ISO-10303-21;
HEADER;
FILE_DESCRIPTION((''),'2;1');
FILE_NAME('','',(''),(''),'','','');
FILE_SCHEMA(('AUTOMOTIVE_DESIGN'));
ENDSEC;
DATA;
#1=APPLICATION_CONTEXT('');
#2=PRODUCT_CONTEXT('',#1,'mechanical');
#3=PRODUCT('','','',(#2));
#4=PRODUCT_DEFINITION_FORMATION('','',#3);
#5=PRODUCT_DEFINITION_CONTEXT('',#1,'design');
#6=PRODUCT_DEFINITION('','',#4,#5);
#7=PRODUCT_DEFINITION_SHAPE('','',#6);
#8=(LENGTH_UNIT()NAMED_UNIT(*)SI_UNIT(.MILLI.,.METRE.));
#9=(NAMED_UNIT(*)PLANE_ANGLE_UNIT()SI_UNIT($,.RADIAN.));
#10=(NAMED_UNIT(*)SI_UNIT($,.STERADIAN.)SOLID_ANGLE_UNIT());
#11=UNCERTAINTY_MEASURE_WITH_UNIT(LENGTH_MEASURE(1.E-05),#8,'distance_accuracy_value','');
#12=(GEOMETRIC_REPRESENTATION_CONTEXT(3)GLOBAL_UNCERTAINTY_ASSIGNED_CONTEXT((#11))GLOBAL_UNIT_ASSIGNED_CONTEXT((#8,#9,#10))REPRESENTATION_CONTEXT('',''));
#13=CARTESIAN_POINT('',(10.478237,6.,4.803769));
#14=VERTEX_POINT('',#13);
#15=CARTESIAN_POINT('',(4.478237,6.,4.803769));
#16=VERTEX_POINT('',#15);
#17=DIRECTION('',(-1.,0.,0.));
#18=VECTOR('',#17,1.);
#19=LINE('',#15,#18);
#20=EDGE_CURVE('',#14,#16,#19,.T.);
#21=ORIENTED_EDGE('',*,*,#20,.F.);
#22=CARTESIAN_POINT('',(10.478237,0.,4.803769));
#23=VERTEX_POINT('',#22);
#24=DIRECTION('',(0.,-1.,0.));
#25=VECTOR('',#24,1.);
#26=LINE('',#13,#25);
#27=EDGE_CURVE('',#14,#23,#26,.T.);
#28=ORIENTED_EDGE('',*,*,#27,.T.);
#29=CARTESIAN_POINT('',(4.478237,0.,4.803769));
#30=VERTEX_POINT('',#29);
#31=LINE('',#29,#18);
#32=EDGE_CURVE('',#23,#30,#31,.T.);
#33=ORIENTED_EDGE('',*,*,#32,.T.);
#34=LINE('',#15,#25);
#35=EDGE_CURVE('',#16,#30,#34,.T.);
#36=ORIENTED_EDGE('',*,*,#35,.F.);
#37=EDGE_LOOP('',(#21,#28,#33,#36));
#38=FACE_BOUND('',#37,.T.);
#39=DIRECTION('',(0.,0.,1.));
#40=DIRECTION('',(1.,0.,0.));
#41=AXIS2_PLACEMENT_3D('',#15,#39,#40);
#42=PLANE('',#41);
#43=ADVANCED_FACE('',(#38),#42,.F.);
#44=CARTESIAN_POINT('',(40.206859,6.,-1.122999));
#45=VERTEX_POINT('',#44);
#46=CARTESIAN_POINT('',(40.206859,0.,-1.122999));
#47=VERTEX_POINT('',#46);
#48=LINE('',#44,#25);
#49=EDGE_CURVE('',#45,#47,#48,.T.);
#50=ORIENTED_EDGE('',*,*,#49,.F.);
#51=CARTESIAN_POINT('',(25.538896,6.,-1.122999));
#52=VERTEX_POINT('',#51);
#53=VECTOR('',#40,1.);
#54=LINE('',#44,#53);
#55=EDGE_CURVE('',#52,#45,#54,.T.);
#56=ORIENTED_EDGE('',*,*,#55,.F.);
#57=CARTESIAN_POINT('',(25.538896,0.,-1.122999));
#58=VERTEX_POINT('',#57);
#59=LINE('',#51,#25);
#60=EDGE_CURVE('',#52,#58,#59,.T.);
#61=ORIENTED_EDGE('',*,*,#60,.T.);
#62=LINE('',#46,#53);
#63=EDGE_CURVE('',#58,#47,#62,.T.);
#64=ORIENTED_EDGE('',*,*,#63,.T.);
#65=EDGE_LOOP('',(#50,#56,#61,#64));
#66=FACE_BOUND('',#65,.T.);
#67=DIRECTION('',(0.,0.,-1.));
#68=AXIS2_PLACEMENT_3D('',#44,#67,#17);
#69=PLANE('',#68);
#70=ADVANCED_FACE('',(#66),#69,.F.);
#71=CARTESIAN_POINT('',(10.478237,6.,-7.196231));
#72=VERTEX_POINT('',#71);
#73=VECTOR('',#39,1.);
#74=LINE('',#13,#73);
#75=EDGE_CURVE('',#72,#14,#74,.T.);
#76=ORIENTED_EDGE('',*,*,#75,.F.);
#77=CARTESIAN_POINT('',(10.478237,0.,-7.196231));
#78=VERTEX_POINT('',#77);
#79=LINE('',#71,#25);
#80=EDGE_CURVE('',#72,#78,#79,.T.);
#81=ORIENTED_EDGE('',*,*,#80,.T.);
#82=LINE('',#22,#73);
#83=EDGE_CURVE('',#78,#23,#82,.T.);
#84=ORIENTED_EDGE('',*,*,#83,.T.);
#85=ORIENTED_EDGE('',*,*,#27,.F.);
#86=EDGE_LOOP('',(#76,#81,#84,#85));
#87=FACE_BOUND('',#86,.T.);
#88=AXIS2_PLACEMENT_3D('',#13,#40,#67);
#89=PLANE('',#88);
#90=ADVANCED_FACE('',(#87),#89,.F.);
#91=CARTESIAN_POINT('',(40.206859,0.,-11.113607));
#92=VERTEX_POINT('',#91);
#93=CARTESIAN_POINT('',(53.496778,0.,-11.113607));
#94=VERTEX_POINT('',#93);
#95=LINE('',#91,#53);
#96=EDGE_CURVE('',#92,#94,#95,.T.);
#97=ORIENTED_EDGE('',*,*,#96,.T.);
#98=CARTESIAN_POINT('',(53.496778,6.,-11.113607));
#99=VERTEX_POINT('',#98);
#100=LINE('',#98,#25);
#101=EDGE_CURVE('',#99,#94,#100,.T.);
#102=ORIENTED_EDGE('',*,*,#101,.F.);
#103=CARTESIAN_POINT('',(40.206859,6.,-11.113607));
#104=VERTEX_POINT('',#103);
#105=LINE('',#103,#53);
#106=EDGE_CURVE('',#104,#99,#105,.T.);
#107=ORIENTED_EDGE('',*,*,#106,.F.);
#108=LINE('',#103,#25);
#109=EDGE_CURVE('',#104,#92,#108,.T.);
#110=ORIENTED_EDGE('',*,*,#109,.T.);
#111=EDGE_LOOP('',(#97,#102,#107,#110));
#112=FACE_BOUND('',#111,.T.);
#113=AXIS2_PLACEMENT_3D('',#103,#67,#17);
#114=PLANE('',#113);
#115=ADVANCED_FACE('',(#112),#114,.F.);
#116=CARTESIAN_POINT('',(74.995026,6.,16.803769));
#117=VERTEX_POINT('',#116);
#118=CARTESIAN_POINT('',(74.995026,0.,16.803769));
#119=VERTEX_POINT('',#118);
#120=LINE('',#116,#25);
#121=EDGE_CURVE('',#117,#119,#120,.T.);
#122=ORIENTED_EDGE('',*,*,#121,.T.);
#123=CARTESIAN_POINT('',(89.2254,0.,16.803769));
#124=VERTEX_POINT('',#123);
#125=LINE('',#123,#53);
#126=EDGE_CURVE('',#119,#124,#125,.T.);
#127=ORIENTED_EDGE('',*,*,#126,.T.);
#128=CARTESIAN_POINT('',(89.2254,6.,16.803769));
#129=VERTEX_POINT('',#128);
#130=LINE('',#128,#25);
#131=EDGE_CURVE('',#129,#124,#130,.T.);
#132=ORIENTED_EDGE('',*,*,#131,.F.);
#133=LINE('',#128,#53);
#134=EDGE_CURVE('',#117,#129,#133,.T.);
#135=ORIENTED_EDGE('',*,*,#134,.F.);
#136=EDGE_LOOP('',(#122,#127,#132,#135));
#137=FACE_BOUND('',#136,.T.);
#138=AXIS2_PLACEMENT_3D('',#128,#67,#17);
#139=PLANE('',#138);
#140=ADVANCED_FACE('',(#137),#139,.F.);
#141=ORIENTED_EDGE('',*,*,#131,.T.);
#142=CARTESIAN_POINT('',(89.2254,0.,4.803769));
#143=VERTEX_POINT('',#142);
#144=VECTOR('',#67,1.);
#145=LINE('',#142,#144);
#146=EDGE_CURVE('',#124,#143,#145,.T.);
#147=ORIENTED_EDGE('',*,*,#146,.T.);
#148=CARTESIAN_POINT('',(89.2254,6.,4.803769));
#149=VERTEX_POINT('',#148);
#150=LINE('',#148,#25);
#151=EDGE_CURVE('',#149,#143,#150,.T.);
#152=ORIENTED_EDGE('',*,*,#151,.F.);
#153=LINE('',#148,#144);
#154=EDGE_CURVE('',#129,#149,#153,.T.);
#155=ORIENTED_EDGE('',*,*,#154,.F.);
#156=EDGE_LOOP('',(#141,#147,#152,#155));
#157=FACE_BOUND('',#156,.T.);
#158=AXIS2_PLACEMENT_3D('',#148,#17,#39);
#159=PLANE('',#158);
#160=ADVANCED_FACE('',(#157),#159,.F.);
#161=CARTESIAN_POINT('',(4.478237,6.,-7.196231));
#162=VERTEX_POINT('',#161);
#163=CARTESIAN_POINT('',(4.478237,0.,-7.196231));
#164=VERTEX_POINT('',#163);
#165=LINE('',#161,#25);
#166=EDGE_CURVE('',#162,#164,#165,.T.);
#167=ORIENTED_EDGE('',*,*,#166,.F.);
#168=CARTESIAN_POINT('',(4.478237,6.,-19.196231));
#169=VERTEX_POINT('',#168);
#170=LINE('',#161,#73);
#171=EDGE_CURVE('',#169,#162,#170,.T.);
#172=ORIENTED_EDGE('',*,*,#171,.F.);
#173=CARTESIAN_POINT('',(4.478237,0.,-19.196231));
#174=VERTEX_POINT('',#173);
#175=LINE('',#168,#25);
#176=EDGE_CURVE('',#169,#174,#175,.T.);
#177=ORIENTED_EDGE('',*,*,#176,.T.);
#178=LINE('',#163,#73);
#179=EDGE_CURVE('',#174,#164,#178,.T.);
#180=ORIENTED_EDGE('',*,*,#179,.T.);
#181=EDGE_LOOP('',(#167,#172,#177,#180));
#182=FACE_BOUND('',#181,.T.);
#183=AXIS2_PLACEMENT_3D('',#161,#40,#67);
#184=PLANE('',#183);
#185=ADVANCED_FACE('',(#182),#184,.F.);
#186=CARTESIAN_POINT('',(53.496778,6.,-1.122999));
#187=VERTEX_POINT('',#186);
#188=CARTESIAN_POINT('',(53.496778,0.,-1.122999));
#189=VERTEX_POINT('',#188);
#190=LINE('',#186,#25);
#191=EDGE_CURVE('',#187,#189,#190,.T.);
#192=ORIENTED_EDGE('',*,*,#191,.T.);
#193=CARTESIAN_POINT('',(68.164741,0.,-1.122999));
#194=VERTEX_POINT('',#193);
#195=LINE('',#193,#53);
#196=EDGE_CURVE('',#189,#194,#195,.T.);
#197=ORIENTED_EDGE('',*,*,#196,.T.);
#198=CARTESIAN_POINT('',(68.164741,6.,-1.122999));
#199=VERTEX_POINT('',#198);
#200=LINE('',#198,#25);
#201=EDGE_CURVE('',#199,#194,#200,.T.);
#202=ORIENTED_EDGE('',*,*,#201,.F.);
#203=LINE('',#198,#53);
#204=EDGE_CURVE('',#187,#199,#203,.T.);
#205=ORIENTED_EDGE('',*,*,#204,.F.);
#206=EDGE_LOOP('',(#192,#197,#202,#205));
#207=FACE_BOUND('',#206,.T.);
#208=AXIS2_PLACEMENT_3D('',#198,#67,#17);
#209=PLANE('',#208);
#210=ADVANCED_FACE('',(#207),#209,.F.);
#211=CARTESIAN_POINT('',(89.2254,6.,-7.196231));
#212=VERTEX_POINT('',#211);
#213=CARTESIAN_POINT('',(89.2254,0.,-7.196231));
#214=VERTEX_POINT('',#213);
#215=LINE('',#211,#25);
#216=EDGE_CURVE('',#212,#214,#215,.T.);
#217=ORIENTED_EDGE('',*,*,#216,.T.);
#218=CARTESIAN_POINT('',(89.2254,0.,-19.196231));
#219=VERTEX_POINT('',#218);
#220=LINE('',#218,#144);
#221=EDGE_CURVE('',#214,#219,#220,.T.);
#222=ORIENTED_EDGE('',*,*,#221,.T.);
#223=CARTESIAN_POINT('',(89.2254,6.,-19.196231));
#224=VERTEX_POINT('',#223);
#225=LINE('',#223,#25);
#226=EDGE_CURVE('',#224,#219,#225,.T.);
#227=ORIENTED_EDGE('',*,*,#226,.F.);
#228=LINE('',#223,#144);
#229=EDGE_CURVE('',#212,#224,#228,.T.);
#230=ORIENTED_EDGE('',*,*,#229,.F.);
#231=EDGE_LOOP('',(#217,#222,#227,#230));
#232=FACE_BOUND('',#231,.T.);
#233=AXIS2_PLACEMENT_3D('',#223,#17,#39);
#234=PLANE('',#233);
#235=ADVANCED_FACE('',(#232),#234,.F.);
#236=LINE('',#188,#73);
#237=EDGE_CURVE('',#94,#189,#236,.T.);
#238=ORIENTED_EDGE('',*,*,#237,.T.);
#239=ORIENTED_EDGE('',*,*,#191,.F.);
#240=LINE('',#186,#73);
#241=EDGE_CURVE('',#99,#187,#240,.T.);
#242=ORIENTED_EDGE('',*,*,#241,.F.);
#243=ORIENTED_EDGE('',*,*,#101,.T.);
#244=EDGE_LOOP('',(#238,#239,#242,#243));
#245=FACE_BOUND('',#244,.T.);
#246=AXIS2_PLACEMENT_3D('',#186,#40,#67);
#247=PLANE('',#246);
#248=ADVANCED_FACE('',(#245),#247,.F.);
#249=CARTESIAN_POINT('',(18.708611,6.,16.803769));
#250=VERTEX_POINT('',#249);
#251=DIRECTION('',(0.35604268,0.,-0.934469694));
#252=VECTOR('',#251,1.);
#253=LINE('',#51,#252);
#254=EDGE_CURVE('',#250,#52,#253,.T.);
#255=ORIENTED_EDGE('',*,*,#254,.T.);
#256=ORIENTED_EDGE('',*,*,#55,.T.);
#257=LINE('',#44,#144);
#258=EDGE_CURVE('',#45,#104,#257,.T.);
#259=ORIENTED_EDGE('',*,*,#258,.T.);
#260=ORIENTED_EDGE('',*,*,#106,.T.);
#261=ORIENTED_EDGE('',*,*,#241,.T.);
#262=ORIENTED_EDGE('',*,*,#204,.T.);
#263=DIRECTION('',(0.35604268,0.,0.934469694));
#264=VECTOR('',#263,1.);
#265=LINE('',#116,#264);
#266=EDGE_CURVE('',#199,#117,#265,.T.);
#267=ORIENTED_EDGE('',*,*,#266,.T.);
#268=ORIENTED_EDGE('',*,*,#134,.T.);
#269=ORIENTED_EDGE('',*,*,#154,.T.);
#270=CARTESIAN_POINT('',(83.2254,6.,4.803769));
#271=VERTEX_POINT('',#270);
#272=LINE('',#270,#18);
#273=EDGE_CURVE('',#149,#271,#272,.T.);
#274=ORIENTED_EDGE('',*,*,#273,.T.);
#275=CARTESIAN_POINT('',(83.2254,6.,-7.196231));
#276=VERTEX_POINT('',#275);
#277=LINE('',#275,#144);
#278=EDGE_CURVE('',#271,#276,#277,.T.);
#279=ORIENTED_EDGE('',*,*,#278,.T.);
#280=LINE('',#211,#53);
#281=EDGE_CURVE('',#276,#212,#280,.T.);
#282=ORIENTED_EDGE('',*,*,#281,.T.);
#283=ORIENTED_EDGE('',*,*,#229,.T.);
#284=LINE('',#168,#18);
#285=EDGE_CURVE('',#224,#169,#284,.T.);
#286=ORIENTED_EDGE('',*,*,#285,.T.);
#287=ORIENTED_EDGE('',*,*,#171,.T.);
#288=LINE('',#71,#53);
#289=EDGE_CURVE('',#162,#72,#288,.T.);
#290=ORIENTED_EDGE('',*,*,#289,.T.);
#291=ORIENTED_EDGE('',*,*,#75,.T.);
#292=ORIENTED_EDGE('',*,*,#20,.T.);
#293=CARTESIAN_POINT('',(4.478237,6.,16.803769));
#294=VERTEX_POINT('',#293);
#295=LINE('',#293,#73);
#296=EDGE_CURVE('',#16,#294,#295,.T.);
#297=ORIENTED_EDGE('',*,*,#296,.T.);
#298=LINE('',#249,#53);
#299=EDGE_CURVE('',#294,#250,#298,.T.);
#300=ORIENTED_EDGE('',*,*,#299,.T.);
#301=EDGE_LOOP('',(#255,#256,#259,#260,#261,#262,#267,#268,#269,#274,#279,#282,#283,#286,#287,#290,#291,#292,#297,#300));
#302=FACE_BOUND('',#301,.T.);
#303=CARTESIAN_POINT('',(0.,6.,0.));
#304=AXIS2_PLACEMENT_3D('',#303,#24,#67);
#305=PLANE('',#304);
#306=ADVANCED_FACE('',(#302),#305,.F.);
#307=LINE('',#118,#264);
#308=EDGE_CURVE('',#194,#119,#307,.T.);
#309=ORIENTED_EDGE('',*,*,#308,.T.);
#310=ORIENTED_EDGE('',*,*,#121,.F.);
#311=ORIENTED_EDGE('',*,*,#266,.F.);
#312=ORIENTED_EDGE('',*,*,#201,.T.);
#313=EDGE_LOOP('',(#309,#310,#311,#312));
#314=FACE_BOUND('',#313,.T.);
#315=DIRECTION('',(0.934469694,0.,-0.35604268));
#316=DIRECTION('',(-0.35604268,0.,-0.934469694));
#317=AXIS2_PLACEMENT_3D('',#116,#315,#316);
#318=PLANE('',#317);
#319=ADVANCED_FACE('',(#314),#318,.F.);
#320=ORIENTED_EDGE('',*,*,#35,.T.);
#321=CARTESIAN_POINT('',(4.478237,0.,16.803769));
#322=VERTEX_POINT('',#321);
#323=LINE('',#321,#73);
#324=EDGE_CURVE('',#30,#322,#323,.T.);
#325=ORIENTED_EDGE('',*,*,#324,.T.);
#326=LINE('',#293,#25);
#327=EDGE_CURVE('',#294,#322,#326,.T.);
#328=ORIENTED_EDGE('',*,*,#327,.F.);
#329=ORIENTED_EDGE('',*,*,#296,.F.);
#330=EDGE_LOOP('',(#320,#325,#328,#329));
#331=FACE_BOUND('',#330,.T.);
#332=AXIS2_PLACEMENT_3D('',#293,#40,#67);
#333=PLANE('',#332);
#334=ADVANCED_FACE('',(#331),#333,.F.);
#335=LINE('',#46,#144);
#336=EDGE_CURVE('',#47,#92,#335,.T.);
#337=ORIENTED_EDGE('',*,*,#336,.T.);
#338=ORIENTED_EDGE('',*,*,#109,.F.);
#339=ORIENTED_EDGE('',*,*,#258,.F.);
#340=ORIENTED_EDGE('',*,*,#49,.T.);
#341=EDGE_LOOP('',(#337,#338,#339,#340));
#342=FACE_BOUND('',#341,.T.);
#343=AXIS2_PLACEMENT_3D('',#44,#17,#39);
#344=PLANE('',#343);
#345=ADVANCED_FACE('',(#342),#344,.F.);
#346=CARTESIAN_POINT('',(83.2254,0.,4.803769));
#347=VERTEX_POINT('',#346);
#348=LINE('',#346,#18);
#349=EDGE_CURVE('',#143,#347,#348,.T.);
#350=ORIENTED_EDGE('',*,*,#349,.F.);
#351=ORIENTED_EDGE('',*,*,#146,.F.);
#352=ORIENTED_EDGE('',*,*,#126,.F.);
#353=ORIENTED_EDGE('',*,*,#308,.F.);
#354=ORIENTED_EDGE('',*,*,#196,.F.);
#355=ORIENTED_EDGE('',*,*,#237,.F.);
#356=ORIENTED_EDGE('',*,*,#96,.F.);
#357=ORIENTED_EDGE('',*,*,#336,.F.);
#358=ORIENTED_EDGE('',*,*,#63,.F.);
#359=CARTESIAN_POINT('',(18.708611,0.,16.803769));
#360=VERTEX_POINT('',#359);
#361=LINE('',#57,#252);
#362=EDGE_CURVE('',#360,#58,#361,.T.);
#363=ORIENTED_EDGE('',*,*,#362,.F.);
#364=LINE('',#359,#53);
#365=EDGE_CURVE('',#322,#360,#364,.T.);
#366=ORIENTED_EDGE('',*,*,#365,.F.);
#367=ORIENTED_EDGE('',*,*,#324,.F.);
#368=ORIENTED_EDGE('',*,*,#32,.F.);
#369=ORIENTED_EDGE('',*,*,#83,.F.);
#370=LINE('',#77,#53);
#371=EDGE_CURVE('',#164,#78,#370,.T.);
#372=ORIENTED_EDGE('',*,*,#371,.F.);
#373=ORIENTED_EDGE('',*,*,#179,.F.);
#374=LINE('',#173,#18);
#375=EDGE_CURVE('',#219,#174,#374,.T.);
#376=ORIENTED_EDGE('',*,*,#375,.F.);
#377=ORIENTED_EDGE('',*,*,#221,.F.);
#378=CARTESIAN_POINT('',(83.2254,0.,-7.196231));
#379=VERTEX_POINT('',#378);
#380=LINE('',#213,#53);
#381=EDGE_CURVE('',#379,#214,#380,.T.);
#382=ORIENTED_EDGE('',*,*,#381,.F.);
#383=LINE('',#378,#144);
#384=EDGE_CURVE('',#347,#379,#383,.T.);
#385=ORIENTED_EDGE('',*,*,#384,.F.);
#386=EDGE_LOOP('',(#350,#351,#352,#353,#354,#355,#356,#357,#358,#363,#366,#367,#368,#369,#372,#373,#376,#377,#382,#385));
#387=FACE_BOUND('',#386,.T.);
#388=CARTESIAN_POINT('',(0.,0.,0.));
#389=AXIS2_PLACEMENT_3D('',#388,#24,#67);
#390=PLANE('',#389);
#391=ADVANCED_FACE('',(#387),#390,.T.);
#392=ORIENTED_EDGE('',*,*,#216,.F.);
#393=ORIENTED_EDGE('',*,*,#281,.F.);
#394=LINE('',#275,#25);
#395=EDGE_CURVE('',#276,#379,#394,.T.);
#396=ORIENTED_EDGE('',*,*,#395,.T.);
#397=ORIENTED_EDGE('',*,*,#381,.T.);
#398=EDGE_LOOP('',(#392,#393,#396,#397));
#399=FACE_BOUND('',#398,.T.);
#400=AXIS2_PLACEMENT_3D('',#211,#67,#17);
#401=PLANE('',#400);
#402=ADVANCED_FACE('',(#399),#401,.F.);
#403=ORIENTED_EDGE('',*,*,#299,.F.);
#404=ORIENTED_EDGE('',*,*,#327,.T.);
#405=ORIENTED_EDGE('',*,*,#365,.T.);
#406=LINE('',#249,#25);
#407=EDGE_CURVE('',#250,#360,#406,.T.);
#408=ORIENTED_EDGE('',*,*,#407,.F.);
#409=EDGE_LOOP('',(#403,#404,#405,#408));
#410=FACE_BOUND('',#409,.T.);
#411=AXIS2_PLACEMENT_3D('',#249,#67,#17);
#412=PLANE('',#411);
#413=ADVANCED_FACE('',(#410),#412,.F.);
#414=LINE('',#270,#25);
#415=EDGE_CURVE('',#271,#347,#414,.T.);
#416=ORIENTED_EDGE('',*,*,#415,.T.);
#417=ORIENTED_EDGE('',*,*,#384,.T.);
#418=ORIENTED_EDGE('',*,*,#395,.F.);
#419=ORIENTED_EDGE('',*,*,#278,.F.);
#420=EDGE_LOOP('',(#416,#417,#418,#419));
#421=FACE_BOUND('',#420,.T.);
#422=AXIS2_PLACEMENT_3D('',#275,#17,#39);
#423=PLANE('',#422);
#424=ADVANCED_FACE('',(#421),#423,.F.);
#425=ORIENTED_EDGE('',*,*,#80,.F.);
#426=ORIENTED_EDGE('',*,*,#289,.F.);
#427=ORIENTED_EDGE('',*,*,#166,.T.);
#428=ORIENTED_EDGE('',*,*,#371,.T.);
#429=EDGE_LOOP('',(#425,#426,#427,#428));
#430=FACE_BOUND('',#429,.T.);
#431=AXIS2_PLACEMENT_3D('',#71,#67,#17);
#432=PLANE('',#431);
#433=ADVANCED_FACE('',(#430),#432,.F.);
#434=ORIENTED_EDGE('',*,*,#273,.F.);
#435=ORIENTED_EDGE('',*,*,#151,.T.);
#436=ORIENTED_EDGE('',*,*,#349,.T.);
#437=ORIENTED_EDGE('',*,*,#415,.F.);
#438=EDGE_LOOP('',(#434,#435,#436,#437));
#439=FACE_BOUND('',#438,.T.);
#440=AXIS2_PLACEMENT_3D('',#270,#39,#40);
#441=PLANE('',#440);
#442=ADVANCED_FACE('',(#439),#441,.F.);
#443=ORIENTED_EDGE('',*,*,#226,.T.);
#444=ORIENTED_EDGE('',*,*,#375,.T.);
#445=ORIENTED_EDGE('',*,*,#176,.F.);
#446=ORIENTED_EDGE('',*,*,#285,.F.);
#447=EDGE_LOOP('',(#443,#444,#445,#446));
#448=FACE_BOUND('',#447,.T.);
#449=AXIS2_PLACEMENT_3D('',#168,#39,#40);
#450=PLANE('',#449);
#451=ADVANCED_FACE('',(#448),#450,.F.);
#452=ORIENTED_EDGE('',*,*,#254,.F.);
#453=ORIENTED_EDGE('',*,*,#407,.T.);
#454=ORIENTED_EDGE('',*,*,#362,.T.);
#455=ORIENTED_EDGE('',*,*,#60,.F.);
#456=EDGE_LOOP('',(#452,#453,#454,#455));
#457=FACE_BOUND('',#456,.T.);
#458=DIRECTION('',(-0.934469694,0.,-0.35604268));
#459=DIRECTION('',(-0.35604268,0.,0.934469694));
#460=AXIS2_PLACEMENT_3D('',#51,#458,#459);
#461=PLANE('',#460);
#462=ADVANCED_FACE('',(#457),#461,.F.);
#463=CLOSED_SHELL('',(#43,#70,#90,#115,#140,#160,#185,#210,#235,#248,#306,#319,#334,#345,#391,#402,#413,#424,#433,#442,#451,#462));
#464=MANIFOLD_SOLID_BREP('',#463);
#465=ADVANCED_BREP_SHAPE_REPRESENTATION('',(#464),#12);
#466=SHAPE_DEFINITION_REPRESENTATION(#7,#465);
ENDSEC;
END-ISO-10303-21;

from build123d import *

# Parameters (mm, degrees)
BOSS_EXTRUDE1_DEPTH = 6


with BuildPart() as part:
    # Sketch1 → Boss-Extrude1 (new body)
    with BuildSketch(Plane(origin=(0, 0, 0), x_dir=(1, 0, 0), z_dir=(0, 1, 0))):
        Polygon((18.70861147, -16.803768911), (4.478237082, -16.803768911), (4.478237082, -4.803768911), (10.478237082, -4.803768911), (10.478237082, 7.196231089), (4.478237082, 7.196231089), (4.478237082, 19.196231089), (89.225400432, 19.196231089), (89.225400432, 7.196231089), (83.225400432, 7.196231089), (83.225400432, -4.803768911), (89.225400432, -4.803768911), (89.225400432, -16.803768911), (74.995026045, -16.803768911), (68.164741017, 1.122998621), (53.496778433, 1.122998621), (53.496778433, 11.113606856), (40.206859082, 11.113606856), (40.206859082, 1.122998621), (25.538896498, 1.122998621), align=None)
    extrude(amount=BOSS_EXTRUDE1_DEPTH)


solid = part.part
